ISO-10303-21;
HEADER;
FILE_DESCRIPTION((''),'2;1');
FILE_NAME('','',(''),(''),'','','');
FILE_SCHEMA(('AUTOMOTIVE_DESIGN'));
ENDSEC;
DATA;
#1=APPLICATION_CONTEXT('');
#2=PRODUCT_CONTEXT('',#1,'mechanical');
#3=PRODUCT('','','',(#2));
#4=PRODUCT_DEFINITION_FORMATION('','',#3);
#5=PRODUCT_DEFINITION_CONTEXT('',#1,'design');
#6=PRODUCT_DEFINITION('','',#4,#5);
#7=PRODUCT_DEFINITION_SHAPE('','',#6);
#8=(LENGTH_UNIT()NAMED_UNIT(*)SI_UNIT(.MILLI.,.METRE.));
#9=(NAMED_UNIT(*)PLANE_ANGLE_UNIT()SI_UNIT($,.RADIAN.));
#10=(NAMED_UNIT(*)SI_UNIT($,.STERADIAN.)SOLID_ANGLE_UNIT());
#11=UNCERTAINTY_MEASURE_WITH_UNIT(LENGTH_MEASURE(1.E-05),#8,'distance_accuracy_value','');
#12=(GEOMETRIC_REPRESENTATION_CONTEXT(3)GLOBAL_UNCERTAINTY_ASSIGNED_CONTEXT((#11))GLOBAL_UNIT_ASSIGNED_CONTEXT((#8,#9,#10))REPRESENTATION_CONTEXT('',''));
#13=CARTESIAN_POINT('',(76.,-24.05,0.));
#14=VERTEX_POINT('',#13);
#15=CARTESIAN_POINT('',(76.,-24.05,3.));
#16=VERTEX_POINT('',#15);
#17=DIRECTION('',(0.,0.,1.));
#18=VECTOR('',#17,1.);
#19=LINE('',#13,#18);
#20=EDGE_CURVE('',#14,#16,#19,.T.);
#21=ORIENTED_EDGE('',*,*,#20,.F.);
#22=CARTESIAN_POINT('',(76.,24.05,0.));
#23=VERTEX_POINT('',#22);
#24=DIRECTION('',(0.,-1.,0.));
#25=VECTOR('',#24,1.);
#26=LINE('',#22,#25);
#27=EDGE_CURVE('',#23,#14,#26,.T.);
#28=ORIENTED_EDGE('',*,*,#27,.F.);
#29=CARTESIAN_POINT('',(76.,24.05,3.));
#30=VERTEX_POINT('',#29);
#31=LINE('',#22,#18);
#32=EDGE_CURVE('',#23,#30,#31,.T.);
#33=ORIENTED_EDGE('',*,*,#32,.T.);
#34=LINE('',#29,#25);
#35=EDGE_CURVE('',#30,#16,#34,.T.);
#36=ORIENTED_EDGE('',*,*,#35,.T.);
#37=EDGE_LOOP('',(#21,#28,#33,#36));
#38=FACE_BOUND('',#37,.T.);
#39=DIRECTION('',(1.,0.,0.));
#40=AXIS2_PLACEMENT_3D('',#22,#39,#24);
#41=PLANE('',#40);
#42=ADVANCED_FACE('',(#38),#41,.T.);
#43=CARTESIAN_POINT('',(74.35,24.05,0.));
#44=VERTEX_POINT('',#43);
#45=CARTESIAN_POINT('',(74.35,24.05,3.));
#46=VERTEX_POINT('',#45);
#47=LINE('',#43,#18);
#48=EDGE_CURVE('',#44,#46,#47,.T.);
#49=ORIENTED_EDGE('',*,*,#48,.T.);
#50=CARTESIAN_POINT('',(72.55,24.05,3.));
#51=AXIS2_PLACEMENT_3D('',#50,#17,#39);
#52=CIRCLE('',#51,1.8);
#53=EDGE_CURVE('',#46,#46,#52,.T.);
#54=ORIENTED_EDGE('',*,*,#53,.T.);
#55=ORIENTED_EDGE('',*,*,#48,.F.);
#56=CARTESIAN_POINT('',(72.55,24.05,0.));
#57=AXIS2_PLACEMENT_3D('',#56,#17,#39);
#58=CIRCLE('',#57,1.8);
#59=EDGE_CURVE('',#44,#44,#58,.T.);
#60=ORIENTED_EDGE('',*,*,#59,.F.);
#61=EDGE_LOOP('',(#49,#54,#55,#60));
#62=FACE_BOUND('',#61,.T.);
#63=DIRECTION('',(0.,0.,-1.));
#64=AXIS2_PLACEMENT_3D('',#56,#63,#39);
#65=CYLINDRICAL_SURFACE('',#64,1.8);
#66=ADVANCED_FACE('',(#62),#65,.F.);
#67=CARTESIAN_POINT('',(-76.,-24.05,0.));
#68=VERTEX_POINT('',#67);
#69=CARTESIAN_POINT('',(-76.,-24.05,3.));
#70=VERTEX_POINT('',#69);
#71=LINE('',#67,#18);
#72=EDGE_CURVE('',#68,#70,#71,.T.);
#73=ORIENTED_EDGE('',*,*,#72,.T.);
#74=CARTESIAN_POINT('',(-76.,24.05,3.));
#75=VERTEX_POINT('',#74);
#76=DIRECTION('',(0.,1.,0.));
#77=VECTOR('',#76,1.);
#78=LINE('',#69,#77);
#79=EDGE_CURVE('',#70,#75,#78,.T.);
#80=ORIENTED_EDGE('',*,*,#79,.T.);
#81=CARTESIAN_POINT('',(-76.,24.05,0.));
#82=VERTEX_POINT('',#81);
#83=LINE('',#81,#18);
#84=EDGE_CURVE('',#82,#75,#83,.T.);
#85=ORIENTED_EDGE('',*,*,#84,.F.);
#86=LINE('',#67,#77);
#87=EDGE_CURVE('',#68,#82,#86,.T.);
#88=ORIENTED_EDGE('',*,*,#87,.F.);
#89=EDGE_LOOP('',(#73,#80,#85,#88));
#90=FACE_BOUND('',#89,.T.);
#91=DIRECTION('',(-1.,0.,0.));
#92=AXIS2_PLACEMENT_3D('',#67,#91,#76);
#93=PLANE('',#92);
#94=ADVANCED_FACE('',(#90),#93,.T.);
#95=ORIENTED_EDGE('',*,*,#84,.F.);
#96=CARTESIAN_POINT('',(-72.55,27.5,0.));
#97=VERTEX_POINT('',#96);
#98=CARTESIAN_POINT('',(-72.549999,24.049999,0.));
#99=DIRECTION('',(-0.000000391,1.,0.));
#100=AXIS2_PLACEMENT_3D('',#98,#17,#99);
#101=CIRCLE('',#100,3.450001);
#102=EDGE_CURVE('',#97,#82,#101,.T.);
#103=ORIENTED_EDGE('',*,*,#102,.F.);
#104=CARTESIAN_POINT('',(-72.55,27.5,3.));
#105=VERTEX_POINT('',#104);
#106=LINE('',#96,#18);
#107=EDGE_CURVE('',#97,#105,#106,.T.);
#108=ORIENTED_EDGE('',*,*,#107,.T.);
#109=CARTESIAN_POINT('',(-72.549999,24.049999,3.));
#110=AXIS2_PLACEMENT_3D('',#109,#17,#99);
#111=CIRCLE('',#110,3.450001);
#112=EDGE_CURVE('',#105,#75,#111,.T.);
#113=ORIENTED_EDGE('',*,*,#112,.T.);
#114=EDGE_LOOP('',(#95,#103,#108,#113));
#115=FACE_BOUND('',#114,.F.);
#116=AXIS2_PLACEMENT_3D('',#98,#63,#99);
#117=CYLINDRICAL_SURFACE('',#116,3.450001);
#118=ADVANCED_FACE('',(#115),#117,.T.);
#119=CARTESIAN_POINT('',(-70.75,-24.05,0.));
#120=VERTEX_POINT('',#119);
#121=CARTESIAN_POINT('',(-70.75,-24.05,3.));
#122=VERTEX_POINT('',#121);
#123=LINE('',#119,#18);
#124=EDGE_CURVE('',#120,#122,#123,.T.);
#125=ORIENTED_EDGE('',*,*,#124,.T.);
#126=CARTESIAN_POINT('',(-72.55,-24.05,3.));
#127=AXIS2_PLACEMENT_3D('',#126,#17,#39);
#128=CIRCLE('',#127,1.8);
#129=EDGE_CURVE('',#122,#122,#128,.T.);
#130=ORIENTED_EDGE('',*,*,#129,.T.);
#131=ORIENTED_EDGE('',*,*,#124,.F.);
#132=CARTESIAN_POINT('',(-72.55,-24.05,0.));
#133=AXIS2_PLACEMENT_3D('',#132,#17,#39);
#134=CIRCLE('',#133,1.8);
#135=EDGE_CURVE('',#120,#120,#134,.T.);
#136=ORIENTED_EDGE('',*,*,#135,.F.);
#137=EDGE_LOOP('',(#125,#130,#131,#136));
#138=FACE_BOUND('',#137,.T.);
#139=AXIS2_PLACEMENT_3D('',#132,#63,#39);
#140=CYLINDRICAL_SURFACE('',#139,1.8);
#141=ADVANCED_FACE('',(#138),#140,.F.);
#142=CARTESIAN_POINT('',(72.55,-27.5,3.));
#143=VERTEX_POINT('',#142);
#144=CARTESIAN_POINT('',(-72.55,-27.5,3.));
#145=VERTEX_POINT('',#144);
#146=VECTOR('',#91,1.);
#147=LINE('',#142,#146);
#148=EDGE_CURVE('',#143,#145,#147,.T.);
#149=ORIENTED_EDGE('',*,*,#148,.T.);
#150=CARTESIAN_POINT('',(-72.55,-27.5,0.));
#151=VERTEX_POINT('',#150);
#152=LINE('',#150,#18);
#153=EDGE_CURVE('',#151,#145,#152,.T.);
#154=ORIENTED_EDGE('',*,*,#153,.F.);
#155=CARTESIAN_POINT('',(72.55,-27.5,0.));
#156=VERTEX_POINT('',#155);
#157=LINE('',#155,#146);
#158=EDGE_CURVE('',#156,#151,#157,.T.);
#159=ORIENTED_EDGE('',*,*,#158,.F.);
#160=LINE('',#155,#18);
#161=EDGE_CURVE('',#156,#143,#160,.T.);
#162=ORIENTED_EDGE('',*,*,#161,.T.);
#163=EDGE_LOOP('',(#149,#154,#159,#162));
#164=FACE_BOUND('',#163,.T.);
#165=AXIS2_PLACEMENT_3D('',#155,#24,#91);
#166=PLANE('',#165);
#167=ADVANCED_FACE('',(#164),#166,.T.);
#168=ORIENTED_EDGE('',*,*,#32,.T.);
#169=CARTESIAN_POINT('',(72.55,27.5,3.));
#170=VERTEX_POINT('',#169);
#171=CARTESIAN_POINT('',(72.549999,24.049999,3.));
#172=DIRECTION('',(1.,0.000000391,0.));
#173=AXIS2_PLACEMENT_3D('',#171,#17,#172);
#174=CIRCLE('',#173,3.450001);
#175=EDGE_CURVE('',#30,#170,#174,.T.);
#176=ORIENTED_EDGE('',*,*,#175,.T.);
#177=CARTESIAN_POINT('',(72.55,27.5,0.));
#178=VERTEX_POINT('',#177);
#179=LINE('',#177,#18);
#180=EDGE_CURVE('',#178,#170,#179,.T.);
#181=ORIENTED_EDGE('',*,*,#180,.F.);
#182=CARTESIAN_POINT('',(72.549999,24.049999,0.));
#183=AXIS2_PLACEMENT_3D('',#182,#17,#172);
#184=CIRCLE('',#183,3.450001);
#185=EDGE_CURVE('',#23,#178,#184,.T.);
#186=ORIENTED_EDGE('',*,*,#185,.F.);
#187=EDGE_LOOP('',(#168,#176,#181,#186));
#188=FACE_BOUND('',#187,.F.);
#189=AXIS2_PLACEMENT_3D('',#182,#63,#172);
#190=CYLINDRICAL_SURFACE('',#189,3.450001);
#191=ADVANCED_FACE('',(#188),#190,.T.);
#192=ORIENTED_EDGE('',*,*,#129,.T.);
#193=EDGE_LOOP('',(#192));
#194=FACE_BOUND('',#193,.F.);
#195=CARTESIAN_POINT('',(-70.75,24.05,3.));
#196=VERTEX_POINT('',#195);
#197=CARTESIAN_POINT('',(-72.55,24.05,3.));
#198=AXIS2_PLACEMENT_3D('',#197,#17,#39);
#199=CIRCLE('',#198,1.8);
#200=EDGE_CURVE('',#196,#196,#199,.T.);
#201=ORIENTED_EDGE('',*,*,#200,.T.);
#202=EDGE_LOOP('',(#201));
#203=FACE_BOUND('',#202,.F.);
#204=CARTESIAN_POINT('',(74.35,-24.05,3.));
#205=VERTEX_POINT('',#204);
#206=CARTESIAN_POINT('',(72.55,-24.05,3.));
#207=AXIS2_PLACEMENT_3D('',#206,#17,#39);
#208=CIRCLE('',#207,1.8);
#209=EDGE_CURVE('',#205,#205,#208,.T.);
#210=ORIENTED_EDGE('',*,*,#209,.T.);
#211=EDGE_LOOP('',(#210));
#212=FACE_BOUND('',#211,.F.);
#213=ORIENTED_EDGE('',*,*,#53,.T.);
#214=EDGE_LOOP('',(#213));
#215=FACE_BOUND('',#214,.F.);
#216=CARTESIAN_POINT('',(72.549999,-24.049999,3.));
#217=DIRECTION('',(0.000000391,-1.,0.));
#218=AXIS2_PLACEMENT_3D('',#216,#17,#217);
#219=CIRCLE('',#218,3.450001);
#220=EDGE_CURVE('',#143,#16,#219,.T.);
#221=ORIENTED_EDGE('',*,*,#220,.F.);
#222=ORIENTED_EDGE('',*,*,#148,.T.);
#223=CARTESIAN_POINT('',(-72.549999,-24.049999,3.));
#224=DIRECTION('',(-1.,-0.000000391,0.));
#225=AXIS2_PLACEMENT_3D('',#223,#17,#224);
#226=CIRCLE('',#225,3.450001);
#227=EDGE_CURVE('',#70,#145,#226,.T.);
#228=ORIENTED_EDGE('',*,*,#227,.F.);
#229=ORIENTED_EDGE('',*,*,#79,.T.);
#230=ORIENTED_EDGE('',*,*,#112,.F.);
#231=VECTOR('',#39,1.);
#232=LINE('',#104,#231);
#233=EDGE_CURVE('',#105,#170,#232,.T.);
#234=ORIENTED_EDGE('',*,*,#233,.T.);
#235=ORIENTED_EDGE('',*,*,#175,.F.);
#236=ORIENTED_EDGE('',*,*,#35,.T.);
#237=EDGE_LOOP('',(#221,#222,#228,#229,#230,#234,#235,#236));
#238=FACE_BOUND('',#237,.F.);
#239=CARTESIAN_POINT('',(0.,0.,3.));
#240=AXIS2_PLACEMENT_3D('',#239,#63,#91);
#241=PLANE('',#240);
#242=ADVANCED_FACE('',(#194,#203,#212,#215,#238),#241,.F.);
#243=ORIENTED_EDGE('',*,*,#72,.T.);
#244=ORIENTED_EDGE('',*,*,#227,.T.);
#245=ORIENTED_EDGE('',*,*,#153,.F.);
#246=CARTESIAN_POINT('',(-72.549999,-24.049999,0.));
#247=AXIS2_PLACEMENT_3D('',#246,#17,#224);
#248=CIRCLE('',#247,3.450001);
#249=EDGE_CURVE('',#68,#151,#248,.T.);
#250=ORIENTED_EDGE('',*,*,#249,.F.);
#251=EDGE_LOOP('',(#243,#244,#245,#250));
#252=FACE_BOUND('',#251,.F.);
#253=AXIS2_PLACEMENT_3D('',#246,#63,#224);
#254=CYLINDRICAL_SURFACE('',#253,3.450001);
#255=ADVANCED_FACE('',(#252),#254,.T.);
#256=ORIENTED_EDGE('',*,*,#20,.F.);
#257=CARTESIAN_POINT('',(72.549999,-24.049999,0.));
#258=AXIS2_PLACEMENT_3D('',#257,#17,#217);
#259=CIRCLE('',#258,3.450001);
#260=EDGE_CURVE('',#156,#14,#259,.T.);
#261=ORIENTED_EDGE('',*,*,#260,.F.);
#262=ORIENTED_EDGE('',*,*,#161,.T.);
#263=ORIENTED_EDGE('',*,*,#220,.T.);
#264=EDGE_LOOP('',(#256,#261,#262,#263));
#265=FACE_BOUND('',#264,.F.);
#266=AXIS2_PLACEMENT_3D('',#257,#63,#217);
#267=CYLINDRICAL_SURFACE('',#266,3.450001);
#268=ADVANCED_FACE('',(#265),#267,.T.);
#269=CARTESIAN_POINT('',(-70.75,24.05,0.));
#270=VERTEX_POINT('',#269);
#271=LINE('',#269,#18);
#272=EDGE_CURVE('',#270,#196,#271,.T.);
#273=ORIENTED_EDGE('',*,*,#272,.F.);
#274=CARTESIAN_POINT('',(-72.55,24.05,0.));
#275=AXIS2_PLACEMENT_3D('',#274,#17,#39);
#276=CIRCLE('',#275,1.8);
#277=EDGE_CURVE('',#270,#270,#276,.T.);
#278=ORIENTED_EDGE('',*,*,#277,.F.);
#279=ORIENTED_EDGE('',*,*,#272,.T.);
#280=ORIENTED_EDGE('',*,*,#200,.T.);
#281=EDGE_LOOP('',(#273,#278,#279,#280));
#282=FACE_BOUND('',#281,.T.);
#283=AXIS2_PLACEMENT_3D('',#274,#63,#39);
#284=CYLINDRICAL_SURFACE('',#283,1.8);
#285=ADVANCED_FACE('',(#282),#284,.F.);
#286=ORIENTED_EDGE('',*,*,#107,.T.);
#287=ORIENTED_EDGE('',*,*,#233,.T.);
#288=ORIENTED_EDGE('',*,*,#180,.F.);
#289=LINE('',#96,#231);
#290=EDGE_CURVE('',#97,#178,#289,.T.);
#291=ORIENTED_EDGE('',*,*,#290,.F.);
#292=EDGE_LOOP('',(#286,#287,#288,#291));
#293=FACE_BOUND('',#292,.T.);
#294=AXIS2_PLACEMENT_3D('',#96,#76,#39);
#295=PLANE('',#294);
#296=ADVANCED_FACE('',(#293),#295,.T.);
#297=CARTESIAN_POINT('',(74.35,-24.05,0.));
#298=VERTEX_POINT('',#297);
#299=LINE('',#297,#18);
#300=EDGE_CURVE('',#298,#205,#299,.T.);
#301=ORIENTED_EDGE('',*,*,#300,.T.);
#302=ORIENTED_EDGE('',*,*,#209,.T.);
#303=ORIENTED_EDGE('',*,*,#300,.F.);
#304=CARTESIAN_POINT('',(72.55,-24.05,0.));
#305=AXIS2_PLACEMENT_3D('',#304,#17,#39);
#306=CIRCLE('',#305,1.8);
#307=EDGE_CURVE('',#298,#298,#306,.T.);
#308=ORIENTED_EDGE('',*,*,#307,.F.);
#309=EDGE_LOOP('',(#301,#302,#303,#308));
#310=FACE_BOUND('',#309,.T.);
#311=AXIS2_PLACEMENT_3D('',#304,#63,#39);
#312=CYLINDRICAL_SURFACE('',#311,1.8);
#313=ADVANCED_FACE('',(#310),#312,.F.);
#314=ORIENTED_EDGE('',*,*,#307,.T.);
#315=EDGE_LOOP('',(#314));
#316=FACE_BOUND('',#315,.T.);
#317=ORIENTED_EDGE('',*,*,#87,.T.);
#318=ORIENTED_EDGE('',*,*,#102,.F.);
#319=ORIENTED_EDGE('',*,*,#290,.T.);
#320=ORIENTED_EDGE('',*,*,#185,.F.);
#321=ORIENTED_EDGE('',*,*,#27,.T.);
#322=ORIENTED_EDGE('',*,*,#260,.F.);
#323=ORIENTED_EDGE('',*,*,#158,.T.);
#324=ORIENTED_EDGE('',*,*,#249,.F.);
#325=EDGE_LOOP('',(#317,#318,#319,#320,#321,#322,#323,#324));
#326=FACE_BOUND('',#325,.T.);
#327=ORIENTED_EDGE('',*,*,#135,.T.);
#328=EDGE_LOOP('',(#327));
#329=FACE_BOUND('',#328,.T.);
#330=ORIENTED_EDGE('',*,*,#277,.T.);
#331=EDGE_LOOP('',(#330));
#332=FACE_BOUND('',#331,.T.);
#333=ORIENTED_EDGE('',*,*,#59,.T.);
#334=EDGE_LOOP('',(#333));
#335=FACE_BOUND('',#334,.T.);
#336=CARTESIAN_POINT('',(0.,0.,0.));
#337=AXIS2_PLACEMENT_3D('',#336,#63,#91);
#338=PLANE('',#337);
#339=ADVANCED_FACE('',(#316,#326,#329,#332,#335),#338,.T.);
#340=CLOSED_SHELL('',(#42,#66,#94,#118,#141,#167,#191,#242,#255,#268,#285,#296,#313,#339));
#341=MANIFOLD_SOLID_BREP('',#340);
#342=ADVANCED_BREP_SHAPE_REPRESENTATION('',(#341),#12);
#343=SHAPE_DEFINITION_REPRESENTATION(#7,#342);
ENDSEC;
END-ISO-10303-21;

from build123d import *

# Parameters (mm, degrees)
SKETCH_R  = 1.8
PAD_DEPTH = 3


with BuildPart() as part:
    # Sketch → Pad (new body)
    with BuildSketch(Plane.XY):
        with BuildLine():
            Line((-72.55, 27.5), (72.55, 27.5))
            ThreePointArc((76, 24.05), (74.989518, 26.489518), (72.55, 27.5))
            Line((76, 24.05), (76, -24.05))
            ThreePointArc((72.55, -27.5), (74.989518, -26.489518), (76, -24.05))
            Line((72.55, -27.5), (-72.55, -27.5))
            ThreePointArc((-76, -24.05), (-74.989518, -26.489518), (-72.55, -27.5))
            Line((-76, -24.05), (-76, 24.05))
            ThreePointArc((-72.55, 27.5), (-74.989518, 26.489518), (-76, 24.05))
        make_face()
        with Locations((-72.55, -24.05)):
            Circle(SKETCH_R, mode=Mode.SUBTRACT)
        with Locations((-72.55, 24.05)):
            Circle(SKETCH_R, mode=Mode.SUBTRACT)
        with Locations((72.55, 24.05)):
            Circle(SKETCH_R, mode=Mode.SUBTRACT)
        with Locations((72.55, -24.05)):
            Circle(SKETCH_R, mode=Mode.SUBTRACT)
    extrude(amount=PAD_DEPTH)


solid = part.part
